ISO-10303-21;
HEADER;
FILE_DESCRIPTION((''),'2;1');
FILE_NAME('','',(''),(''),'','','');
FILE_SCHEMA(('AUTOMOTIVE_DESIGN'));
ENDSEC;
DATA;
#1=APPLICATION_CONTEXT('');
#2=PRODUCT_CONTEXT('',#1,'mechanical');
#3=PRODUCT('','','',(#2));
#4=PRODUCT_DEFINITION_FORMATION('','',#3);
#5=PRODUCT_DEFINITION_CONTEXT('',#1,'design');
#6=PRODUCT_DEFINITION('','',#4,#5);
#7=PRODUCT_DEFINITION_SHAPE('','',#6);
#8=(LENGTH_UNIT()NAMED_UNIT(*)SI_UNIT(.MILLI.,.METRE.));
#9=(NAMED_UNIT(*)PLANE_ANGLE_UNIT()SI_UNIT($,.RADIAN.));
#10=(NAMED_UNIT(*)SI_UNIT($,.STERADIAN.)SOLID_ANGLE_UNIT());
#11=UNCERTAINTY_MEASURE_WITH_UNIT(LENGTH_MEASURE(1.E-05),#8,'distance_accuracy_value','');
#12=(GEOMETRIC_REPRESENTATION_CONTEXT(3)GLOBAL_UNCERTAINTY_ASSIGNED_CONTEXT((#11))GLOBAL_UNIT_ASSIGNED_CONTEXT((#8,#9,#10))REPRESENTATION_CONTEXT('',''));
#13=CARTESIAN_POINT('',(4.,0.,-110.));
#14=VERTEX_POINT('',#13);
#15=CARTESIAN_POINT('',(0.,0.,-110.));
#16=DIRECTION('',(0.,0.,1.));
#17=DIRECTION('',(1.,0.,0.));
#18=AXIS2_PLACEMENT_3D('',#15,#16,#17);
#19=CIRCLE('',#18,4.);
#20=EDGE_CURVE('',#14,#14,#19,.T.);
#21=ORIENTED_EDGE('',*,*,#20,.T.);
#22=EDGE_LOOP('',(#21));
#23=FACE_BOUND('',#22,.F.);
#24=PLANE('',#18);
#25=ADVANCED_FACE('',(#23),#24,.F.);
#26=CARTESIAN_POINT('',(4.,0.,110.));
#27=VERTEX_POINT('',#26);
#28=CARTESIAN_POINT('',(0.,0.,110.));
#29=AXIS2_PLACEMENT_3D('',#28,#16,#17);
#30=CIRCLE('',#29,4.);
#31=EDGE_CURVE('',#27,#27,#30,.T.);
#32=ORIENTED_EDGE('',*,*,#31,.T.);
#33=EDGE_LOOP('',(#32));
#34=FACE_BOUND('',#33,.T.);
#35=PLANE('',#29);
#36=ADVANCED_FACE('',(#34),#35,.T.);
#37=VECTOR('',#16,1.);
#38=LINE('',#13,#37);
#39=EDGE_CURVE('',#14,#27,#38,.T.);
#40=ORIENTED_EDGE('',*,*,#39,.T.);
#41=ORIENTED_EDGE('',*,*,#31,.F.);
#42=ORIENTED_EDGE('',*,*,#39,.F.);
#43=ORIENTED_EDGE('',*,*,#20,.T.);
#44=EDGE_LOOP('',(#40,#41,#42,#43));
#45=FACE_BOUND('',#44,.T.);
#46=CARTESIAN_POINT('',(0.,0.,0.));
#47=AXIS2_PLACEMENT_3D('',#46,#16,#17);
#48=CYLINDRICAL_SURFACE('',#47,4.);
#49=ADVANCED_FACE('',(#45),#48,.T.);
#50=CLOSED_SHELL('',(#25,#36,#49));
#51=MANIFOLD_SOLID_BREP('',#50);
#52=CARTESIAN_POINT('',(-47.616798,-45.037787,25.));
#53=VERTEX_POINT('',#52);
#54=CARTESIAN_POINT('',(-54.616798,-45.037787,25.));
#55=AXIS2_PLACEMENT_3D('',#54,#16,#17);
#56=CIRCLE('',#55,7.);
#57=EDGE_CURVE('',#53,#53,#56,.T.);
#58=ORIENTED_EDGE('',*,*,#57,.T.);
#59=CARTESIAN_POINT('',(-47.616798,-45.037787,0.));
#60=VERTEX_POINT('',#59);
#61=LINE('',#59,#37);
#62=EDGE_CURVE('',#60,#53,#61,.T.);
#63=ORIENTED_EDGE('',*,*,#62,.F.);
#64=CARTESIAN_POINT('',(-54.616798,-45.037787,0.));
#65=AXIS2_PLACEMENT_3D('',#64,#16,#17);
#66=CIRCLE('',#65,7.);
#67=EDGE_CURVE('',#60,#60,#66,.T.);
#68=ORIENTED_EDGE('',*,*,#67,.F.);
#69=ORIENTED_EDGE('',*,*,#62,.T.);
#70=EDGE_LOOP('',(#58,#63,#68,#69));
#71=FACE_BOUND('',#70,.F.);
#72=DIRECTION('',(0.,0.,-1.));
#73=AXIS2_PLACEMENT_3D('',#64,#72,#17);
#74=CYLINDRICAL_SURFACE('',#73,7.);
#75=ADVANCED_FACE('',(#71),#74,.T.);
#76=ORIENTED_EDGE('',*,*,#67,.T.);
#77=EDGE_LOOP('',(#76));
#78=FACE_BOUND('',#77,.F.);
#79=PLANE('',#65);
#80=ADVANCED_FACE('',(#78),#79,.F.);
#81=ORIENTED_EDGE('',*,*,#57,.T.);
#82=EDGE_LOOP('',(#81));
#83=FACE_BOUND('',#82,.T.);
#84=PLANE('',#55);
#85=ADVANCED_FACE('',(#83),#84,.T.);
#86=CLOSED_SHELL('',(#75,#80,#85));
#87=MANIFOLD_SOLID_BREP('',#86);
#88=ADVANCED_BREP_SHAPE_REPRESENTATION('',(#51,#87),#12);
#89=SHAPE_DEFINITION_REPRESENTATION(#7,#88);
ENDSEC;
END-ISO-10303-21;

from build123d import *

# Parameters (mm, degrees)
F0_R     = 4
F1_DEPTH = 110
F2_R     = 7
F3_DEPTH = 25


with BuildPart() as f1:
    # F0 (on Top) → F1 (new body, symmetric)
    with BuildSketch(Plane.XY):
        Circle(F0_R)
    extrude(amount=F1_DEPTH, both=True)


with BuildPart() as f3:
    # F2 (on Top) → F3 (new body)
    with BuildSketch(Plane.XY):
        with Locations((-54.6167977154, -45.0377874076)):
            Circle(F2_R)
    extrude(amount=F3_DEPTH)


solid = Compound([f1.part, f3.part])
